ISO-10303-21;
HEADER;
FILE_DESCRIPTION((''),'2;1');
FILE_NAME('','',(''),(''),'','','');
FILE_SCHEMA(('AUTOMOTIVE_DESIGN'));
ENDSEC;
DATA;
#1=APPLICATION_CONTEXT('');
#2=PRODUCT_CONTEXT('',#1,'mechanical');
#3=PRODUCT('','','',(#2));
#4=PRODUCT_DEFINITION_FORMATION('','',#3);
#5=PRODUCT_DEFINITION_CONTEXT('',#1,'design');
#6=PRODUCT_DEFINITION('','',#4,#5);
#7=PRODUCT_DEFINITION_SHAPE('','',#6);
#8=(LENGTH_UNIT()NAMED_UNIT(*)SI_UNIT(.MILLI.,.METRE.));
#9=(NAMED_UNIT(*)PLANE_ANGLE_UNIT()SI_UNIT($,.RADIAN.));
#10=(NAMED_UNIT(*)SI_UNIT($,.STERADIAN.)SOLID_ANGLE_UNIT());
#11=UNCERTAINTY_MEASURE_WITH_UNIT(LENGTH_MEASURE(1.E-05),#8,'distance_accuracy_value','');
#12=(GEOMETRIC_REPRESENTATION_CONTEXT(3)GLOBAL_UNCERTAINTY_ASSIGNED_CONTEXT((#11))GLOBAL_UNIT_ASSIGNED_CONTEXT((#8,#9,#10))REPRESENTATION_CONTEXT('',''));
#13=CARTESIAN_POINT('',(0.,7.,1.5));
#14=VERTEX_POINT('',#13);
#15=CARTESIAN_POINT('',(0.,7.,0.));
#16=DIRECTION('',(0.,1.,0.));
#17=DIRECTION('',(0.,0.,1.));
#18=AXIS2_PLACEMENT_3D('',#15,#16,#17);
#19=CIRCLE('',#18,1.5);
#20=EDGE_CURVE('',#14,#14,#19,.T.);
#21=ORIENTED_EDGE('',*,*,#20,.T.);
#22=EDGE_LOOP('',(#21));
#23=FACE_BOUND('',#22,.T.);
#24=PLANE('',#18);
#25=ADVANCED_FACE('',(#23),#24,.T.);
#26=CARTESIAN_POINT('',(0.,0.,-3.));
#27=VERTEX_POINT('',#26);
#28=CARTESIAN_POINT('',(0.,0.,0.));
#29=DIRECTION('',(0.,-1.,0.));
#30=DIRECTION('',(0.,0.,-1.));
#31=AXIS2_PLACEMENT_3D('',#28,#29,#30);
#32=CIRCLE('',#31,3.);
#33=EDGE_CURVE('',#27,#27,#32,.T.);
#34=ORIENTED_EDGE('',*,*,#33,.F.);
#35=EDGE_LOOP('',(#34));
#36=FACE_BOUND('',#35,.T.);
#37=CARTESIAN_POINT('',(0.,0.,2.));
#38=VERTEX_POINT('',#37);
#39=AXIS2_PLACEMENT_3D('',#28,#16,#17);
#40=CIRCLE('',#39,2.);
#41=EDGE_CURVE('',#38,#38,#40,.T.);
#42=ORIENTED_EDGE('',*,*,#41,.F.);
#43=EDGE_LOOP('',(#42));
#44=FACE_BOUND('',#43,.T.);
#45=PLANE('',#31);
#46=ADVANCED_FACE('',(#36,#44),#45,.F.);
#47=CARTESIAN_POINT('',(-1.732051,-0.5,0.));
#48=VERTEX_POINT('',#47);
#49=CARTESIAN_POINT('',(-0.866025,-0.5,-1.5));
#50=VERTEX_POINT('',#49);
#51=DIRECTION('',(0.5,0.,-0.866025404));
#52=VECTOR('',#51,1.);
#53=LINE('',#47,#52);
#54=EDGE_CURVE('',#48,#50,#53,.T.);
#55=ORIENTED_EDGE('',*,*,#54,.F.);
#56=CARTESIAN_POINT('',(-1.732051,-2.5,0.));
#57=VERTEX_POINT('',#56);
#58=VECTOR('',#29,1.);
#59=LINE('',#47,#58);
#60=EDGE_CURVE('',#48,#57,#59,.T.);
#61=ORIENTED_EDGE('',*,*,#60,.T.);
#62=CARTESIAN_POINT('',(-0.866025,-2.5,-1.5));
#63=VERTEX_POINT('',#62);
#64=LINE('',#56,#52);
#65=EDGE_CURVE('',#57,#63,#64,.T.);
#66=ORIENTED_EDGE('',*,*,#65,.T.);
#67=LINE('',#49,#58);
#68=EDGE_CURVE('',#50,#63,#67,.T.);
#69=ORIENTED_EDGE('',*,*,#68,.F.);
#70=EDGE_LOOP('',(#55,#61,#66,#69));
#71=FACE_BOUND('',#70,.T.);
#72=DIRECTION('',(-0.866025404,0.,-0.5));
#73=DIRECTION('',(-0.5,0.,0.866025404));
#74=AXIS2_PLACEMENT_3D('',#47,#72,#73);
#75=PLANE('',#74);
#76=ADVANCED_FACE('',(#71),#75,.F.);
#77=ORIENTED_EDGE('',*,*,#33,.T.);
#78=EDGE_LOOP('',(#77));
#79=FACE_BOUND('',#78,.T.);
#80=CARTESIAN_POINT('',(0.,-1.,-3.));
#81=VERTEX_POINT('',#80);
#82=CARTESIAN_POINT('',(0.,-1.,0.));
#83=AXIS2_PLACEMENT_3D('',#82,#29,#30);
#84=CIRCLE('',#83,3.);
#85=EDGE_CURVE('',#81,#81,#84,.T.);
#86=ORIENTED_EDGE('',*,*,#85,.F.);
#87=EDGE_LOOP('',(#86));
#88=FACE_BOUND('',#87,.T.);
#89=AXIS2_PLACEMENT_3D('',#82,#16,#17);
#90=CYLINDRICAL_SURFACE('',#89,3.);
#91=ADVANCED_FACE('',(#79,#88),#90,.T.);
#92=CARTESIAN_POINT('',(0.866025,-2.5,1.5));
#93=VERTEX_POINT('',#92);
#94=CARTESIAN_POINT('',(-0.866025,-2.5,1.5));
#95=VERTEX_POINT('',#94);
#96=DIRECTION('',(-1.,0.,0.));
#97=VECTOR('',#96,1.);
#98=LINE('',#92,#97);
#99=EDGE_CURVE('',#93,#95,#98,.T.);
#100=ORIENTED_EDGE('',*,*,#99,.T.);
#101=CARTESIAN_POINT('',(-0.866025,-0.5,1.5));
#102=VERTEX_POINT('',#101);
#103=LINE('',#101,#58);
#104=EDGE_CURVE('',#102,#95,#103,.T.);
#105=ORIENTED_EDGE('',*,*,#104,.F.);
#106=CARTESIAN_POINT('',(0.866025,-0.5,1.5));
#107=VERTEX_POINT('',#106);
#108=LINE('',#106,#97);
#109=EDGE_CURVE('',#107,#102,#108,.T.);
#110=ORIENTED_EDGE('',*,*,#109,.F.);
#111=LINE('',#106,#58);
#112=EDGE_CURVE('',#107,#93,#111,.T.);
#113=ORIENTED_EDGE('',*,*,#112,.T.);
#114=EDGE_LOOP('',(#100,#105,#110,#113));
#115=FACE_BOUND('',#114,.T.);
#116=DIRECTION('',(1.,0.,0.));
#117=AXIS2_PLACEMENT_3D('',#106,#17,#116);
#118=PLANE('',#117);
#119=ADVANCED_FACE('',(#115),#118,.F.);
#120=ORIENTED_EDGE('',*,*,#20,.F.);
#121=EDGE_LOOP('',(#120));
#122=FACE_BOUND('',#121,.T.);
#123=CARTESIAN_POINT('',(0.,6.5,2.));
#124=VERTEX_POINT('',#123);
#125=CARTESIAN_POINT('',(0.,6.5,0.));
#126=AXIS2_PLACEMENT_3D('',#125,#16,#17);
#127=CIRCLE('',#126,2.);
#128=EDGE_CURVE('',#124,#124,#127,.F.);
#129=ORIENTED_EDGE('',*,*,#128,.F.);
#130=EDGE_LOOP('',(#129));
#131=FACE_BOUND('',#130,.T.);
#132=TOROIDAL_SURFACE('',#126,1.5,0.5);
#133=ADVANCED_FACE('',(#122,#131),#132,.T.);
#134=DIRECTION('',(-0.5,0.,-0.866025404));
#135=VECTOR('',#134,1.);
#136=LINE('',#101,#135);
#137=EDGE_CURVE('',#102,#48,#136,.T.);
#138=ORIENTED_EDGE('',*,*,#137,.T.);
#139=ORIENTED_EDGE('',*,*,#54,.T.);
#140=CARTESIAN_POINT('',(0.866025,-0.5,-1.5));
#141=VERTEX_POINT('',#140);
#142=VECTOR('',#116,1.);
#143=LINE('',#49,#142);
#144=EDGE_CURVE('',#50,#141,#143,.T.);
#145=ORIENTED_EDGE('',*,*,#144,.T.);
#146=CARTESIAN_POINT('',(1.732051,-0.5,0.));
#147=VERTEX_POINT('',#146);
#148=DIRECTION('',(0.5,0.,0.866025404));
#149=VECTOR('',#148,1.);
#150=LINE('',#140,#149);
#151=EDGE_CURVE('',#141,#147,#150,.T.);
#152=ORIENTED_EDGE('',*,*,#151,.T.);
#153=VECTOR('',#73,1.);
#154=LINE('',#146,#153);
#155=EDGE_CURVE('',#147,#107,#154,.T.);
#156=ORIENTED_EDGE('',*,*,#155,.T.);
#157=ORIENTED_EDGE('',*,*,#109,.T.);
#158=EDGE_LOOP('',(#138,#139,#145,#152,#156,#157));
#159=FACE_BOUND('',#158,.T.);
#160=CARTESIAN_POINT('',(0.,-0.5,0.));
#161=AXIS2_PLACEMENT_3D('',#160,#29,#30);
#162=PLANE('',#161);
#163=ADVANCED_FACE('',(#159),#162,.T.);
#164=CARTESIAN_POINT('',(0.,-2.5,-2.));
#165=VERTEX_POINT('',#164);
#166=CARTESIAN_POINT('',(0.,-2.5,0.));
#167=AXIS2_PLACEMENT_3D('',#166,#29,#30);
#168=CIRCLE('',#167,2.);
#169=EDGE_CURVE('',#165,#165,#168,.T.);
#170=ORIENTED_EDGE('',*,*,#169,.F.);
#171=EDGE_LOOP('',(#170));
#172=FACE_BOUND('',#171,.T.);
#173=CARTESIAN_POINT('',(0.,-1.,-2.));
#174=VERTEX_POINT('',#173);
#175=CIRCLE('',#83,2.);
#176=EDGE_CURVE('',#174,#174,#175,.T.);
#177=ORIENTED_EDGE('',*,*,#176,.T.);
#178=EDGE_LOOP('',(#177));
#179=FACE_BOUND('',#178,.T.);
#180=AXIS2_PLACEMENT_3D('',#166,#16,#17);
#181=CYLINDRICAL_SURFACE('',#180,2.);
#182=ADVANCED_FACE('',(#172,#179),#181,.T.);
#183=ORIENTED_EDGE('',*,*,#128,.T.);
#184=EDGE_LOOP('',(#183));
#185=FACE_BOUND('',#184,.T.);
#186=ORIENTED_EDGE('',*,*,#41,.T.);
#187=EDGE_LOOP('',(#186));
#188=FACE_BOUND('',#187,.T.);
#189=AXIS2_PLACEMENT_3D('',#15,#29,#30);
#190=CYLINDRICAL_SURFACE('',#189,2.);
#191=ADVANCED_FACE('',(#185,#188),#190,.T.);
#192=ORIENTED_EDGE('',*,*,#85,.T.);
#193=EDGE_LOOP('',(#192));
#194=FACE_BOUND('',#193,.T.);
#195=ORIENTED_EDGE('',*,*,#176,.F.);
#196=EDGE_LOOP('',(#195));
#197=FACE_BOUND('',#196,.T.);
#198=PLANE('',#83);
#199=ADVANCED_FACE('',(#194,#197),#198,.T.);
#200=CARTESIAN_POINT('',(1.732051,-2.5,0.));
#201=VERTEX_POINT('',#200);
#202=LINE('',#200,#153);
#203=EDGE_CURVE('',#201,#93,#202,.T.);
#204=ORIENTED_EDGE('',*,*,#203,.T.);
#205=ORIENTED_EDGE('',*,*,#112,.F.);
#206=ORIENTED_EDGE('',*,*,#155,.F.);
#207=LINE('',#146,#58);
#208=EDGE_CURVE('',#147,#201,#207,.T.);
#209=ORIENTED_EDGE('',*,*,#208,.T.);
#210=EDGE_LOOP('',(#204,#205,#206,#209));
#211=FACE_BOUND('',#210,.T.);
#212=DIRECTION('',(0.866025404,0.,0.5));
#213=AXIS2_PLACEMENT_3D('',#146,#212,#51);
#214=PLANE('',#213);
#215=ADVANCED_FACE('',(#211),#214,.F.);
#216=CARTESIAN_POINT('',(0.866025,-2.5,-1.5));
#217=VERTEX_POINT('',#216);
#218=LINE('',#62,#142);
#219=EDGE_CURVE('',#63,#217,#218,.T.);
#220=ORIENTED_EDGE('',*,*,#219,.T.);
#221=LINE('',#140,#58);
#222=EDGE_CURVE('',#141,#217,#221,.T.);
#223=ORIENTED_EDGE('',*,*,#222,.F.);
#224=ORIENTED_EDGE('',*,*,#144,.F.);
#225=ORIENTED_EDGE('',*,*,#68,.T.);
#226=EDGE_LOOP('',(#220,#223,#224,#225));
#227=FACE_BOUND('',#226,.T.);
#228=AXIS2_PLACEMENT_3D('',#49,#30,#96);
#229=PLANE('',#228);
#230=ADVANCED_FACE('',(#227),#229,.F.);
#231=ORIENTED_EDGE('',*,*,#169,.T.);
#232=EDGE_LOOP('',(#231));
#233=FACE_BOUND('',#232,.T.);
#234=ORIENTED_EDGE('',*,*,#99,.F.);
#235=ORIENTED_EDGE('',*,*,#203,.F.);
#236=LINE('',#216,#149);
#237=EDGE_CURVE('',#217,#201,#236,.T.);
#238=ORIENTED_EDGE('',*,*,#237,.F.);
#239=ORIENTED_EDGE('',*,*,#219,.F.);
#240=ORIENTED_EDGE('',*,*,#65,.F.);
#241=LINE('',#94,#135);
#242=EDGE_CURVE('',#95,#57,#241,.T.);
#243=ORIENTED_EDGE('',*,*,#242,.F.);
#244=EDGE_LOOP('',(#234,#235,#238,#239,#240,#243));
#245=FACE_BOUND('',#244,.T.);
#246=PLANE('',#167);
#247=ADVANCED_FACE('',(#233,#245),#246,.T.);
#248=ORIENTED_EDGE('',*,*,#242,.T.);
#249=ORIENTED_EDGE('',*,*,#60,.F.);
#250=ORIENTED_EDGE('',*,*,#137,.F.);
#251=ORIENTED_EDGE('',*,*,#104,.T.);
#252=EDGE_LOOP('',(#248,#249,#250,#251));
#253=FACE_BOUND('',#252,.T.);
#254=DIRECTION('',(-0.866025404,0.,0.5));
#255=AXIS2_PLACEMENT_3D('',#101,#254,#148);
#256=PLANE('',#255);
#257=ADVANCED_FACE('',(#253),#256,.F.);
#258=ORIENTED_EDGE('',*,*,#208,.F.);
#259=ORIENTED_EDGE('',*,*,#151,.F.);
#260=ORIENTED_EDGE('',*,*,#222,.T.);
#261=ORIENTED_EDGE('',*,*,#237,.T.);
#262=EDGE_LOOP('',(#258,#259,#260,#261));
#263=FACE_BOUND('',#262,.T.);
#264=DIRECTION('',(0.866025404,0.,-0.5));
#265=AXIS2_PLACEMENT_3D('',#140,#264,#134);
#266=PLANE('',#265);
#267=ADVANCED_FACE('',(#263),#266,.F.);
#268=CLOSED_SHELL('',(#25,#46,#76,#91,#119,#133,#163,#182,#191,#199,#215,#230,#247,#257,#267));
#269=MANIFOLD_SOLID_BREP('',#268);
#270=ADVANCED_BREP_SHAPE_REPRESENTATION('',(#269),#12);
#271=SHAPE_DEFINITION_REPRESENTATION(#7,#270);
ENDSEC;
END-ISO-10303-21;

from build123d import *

# Parameters (mm, degrees)
SKETCH_1_R          = 2
EXTRUDE_1_DEPTH     = 7
FILLET_2_R          = 0.5
SKETCH_4_R          = 3
EXTRUDE_2_DEPTH     = 1
EXTRUDE_START       = 1.5
SKETCH_5_R          = 2
EXTRUDE_3_DEPTH     = 1.5
CUT_EXTRUDE_1_DEPTH = 2


with BuildPart() as part:
    # 草图1 → 凸台-拉伸1 (new body)
    with BuildSketch(Plane(origin=(0, 0, 0), x_dir=(1, 0, 0), z_dir=(0, 1, 0))):
        with Locations(Location((0, 0, 0), (0, 0, 270))):
            Circle(SKETCH_1_R)
    extrude(amount=EXTRUDE_1_DEPTH)

    # 圆角2
    fillet_2_edges = [part.edges().sort_by_distance(p)[0] for p in [
        (0, 7, -2),
    ]]
    fillet(fillet_2_edges, radius=FILLET_2_R)

    # 草图4 → 凸台-拉伸2 (add)
    with BuildSketch(Plane.XZ):
        with Locations(Location((0, 0, 0), (0, 0, 270))):
            Circle(SKETCH_4_R)
    extrude(amount=EXTRUDE_2_DEPTH)

    # 草图5 → 凸台-拉伸3 (add)
    with BuildSketch(Plane.XZ.offset(1).offset(EXTRUDE_START)):
        with Locations(Location((0, 0, 0), (0, 0, 90))):
            Circle(SKETCH_5_R)
    extrude(amount=-EXTRUDE_3_DEPTH)

    # 草图6 → 切除-拉伸1 (cut)
    with BuildSketch(Plane.XZ.offset(2.5)):
        Polygon((1.732050808, 0), (0.866025404, 1.5), (-0.866025404, 1.5), (-1.732050808, 0), (-0.866025404, -1.5), (0.866025404, -1.5), align=None)
    extrude(amount=-CUT_EXTRUDE_1_DEPTH, mode=Mode.SUBTRACT)


solid = part.part
